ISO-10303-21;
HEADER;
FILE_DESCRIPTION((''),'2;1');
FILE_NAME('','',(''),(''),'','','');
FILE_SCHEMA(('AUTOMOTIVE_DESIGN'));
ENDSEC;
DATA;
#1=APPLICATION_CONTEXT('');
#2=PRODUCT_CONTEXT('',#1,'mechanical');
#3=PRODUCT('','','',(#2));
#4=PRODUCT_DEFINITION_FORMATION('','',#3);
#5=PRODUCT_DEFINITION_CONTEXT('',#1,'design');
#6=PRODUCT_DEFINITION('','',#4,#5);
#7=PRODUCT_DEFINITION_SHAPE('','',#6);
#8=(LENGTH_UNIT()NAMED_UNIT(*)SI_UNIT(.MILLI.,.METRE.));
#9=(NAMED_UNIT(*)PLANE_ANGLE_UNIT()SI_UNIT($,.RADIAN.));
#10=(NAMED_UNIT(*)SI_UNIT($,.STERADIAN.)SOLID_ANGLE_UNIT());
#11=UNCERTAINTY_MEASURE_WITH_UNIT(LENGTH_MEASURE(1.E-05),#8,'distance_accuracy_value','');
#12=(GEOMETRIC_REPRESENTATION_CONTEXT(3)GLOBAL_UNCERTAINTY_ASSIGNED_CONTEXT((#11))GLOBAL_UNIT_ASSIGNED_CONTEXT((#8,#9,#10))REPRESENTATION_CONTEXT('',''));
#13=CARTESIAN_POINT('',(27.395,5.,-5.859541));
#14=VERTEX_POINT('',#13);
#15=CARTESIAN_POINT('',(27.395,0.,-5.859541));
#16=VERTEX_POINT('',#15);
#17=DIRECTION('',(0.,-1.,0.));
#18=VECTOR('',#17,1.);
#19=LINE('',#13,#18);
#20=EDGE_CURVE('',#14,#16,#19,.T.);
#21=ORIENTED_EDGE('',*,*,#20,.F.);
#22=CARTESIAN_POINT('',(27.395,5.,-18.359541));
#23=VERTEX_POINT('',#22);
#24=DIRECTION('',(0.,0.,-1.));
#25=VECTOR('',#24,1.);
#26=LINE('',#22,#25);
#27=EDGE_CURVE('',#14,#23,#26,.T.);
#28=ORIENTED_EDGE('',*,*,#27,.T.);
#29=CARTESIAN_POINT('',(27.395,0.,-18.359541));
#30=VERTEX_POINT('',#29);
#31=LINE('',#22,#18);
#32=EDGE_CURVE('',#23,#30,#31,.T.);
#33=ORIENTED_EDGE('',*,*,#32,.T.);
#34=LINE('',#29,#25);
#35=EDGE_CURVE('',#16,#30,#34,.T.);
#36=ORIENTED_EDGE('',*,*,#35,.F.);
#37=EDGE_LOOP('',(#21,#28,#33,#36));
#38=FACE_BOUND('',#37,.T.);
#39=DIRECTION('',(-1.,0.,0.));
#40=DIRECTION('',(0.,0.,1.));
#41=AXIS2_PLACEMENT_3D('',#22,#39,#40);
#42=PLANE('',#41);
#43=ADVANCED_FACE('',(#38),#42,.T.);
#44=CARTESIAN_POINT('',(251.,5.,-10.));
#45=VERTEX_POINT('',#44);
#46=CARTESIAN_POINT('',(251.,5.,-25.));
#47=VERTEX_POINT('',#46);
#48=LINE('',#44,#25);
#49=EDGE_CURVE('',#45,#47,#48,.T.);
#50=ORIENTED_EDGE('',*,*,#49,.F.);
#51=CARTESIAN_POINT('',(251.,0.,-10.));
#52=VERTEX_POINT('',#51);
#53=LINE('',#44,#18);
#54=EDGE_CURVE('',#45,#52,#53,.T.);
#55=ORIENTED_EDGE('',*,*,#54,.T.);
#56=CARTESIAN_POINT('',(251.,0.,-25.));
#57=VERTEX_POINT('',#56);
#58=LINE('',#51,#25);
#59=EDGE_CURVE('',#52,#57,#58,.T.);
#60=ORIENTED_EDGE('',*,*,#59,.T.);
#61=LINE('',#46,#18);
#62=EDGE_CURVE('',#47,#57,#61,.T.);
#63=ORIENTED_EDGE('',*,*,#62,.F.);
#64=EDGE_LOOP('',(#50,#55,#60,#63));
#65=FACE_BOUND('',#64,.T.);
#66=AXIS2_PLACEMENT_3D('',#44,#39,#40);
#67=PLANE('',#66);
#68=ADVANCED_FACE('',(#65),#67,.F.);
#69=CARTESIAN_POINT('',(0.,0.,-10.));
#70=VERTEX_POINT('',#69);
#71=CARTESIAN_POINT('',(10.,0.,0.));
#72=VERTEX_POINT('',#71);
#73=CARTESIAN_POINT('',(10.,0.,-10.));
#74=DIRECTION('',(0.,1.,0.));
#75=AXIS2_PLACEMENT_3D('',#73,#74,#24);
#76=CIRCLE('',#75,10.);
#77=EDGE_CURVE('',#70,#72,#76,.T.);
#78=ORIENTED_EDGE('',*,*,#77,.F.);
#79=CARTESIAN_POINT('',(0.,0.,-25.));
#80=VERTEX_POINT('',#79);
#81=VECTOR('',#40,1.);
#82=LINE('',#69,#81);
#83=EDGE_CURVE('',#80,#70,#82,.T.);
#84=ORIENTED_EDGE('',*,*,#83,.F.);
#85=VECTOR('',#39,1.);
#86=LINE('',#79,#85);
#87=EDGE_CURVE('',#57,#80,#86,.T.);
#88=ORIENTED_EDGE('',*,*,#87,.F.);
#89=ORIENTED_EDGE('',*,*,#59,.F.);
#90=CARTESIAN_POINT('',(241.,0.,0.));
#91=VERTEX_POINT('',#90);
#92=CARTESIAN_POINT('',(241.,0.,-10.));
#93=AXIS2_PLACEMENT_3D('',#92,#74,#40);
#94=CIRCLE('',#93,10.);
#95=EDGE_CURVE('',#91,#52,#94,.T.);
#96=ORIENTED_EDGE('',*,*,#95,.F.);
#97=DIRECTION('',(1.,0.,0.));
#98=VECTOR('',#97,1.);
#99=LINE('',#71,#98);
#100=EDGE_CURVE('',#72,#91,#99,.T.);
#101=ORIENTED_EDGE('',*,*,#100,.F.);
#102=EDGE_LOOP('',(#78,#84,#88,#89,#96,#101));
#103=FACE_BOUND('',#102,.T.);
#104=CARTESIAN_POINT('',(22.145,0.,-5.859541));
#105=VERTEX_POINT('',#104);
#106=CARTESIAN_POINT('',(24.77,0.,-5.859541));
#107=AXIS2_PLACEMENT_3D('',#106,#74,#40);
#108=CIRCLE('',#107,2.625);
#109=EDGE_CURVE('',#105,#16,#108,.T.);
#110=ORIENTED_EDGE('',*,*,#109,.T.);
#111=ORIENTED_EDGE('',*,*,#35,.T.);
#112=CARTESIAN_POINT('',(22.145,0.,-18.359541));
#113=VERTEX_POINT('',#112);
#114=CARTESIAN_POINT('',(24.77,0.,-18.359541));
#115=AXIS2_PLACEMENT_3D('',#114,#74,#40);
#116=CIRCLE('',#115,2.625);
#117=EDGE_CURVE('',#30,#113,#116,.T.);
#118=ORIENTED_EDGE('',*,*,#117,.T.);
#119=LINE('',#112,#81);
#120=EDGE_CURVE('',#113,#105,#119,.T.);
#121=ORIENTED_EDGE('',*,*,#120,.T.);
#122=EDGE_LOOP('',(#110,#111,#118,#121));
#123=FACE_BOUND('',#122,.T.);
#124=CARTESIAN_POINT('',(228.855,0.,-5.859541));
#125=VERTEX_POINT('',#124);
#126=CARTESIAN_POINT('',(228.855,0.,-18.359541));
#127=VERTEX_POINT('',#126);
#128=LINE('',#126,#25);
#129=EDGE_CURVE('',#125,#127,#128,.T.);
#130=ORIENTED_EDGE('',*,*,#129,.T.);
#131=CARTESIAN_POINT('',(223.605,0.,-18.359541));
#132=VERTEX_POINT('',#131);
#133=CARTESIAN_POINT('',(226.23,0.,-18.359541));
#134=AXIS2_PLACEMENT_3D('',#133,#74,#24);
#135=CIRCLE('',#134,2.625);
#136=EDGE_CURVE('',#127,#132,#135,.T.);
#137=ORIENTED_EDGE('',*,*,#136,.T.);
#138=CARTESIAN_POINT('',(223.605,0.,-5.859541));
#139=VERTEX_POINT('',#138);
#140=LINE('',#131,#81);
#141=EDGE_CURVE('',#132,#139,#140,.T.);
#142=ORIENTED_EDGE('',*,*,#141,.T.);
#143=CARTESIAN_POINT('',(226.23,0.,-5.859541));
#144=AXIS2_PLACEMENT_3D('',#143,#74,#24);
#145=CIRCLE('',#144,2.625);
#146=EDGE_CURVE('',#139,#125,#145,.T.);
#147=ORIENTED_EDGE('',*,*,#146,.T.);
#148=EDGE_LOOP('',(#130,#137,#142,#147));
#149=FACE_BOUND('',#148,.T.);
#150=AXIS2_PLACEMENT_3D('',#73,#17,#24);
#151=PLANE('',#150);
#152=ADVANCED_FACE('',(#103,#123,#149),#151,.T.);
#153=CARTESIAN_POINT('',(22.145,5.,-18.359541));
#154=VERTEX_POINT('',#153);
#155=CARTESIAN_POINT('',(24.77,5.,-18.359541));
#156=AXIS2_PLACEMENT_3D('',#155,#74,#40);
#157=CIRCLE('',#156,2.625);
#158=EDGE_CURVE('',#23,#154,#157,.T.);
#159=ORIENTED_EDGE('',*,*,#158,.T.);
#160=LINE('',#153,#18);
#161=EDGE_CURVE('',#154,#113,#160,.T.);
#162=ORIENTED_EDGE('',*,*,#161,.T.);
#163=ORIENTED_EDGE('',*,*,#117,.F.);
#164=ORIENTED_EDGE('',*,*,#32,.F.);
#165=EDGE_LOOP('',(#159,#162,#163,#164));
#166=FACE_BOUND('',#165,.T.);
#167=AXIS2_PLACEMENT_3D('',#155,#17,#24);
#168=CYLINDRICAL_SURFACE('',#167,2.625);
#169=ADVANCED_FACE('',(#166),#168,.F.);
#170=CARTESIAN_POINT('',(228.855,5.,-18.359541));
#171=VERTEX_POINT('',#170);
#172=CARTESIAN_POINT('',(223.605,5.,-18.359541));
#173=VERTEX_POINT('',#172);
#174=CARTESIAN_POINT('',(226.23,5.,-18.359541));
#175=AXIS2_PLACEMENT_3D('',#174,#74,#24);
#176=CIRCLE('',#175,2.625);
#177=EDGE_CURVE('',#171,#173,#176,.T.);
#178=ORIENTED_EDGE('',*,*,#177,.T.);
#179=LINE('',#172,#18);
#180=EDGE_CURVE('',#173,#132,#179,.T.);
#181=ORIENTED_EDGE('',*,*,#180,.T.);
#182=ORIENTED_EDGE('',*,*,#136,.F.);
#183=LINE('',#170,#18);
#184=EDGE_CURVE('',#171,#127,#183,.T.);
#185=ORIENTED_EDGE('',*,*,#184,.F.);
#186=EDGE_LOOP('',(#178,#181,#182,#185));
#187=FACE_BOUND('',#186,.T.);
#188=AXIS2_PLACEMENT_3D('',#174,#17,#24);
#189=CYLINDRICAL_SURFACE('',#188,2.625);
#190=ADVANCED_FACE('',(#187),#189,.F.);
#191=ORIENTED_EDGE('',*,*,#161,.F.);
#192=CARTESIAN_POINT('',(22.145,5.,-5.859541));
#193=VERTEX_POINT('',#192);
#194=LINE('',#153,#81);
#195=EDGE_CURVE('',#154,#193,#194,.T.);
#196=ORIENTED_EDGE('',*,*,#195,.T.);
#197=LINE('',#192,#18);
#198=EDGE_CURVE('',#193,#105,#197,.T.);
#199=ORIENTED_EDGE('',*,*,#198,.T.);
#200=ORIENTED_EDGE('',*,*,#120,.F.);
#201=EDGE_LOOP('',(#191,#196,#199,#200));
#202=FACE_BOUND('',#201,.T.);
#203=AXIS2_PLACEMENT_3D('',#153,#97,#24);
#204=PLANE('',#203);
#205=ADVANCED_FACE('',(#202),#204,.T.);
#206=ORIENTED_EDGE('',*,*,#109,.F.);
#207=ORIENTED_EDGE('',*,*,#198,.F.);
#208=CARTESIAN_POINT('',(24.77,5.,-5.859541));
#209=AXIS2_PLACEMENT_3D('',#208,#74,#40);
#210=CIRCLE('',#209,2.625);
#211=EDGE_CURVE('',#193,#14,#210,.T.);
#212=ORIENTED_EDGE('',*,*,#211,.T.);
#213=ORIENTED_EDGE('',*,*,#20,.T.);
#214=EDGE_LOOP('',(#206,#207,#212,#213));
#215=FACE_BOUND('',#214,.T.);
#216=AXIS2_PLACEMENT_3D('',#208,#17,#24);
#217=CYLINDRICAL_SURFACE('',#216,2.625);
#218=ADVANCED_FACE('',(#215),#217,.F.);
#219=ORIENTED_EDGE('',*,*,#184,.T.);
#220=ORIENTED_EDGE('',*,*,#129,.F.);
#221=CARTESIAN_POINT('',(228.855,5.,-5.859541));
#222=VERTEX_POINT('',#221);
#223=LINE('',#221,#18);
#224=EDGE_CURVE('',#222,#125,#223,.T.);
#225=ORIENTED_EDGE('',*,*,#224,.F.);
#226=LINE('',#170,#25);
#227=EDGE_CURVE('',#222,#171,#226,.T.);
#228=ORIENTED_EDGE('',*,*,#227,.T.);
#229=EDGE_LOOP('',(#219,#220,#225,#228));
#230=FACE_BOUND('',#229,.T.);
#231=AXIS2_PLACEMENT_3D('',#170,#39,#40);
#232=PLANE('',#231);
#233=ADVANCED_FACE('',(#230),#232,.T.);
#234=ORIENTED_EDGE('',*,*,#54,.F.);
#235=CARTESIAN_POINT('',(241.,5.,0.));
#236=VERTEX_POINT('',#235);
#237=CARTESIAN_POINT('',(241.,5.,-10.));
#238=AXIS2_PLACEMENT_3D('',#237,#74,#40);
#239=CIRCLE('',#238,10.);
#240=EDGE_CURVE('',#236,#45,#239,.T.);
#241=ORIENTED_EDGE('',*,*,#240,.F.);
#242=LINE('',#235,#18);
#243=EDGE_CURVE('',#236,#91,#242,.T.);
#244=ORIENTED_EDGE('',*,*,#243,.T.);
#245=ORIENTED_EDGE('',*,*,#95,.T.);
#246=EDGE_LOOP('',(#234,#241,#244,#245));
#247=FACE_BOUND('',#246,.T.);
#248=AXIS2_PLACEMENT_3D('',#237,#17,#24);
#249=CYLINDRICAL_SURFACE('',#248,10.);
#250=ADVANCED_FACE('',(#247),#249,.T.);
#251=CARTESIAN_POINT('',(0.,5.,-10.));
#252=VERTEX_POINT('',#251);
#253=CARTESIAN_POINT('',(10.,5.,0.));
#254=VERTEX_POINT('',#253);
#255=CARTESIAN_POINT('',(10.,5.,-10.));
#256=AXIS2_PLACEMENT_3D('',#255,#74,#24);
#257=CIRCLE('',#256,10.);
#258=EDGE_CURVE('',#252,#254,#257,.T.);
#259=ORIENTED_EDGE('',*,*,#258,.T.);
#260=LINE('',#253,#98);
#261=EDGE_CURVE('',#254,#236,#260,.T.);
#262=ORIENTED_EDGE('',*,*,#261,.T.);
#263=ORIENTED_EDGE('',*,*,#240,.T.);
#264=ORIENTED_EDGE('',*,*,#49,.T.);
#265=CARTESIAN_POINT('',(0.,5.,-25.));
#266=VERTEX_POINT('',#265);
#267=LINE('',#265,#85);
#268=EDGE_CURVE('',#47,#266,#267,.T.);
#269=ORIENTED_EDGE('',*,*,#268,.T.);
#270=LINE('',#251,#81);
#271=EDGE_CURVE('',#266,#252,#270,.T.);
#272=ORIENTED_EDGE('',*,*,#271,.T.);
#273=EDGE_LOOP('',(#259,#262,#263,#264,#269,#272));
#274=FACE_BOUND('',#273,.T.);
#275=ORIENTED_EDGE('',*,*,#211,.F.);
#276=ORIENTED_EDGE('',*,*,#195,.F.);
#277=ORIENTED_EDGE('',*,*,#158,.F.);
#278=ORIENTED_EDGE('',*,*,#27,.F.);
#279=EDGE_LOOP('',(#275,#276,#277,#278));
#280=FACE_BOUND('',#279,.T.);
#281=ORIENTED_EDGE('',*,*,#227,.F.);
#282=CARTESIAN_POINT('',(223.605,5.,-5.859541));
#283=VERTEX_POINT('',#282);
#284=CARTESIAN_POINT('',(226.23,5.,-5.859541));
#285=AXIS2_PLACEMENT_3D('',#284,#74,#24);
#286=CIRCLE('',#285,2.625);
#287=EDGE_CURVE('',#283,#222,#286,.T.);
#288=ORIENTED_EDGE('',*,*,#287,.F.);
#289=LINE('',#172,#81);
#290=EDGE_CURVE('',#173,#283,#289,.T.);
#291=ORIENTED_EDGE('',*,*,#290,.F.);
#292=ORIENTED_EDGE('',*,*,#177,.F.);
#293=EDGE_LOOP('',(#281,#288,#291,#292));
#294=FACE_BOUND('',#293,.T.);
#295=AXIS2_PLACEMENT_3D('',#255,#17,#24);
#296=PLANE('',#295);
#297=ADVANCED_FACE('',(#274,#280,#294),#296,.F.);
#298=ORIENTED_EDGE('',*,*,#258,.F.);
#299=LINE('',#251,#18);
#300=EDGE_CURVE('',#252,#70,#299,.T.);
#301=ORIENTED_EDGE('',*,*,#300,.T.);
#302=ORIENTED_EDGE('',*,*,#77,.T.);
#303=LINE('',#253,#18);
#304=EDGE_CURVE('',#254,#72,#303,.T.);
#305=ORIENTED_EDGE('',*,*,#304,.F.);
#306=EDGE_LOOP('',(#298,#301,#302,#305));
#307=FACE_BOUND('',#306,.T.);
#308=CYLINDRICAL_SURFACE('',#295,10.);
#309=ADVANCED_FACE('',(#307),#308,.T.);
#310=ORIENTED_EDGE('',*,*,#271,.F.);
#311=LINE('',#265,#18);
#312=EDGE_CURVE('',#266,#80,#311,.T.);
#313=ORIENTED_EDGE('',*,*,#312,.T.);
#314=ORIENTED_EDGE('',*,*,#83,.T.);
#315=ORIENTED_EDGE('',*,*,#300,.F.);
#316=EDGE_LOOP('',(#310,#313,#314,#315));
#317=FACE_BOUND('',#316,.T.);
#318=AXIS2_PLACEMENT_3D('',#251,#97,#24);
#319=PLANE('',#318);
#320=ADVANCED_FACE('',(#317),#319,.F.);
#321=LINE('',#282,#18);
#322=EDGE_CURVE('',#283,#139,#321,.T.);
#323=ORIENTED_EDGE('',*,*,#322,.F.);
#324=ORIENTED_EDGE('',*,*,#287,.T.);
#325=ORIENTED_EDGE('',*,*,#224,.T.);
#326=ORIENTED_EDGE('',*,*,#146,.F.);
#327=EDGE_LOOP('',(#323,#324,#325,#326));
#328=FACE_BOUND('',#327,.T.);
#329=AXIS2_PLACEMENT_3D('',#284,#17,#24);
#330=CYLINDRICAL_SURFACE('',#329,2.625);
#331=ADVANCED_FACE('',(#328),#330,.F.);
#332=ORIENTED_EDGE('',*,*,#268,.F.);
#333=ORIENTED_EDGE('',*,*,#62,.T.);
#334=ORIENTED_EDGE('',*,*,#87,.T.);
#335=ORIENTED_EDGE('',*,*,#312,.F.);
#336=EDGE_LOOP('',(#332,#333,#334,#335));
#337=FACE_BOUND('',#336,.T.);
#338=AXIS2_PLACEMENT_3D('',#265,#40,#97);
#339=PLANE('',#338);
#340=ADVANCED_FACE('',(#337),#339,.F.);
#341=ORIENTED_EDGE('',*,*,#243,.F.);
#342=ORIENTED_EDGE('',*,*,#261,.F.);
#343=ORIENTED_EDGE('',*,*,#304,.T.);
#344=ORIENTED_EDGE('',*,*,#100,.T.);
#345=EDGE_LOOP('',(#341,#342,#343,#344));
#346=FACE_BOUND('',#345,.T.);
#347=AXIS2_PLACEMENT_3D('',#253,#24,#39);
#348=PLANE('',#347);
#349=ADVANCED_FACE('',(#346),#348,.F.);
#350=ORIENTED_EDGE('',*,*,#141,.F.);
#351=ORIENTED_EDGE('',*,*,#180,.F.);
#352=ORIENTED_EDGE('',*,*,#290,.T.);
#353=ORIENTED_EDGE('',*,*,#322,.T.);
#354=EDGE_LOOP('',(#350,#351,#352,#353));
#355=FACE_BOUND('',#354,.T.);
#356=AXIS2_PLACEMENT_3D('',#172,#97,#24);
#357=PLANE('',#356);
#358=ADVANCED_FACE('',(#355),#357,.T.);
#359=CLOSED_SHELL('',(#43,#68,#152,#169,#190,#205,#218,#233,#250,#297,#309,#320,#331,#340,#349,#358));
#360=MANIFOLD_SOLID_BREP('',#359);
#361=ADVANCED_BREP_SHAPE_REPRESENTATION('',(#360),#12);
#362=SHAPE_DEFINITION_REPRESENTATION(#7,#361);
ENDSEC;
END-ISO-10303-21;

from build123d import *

# Parameters (mm, degrees)
SALIENTE_EXTRUIR1_DEPTH = 5


with BuildPart() as part:
    # Croquis1 → Saliente-Extruir1 (new body)
    with BuildSketch(Plane(origin=(0, 0, 0), x_dir=(1, 0, 0), z_dir=(0, 1, 0))):
        with BuildLine():
            Line((10, 0), (241, 0))
            ThreePointArc((241, 0), (248.071067812, 2.928932188), (251, 10))
            Line((251, 10), (251, 25))
            Line((251, 25), (0, 25))
            Line((0, 25), (0, 10))
            ThreePointArc((0, 10), (2.928932188, 2.928932188), (10, 0))
        make_face()
        with BuildLine():
            Line((27.395, 18.359540636), (27.395, 5.859540636))
            ThreePointArc((27.395, 5.859540636), (24.77, 3.234540636), (22.145, 5.859540636))
            Line((22.145, 5.859540636), (22.145, 18.359540636))
            ThreePointArc((22.145, 18.359540636), (24.77, 20.984540636), (27.395, 18.359540636))
        make_face(mode=Mode.SUBTRACT)
        with BuildLine():
            Line((223.605, 18.359540636), (223.605, 5.859540636))
            ThreePointArc((223.605, 5.859540636), (226.23, 3.234540636), (228.855, 5.859540636))
            Line((228.855, 5.859540636), (228.855, 18.359540636))
            ThreePointArc((228.855, 18.359540636), (226.23, 20.984540636), (223.605, 18.359540636))
        make_face(mode=Mode.SUBTRACT)
    extrude(amount=SALIENTE_EXTRUIR1_DEPTH)


solid = part.part
